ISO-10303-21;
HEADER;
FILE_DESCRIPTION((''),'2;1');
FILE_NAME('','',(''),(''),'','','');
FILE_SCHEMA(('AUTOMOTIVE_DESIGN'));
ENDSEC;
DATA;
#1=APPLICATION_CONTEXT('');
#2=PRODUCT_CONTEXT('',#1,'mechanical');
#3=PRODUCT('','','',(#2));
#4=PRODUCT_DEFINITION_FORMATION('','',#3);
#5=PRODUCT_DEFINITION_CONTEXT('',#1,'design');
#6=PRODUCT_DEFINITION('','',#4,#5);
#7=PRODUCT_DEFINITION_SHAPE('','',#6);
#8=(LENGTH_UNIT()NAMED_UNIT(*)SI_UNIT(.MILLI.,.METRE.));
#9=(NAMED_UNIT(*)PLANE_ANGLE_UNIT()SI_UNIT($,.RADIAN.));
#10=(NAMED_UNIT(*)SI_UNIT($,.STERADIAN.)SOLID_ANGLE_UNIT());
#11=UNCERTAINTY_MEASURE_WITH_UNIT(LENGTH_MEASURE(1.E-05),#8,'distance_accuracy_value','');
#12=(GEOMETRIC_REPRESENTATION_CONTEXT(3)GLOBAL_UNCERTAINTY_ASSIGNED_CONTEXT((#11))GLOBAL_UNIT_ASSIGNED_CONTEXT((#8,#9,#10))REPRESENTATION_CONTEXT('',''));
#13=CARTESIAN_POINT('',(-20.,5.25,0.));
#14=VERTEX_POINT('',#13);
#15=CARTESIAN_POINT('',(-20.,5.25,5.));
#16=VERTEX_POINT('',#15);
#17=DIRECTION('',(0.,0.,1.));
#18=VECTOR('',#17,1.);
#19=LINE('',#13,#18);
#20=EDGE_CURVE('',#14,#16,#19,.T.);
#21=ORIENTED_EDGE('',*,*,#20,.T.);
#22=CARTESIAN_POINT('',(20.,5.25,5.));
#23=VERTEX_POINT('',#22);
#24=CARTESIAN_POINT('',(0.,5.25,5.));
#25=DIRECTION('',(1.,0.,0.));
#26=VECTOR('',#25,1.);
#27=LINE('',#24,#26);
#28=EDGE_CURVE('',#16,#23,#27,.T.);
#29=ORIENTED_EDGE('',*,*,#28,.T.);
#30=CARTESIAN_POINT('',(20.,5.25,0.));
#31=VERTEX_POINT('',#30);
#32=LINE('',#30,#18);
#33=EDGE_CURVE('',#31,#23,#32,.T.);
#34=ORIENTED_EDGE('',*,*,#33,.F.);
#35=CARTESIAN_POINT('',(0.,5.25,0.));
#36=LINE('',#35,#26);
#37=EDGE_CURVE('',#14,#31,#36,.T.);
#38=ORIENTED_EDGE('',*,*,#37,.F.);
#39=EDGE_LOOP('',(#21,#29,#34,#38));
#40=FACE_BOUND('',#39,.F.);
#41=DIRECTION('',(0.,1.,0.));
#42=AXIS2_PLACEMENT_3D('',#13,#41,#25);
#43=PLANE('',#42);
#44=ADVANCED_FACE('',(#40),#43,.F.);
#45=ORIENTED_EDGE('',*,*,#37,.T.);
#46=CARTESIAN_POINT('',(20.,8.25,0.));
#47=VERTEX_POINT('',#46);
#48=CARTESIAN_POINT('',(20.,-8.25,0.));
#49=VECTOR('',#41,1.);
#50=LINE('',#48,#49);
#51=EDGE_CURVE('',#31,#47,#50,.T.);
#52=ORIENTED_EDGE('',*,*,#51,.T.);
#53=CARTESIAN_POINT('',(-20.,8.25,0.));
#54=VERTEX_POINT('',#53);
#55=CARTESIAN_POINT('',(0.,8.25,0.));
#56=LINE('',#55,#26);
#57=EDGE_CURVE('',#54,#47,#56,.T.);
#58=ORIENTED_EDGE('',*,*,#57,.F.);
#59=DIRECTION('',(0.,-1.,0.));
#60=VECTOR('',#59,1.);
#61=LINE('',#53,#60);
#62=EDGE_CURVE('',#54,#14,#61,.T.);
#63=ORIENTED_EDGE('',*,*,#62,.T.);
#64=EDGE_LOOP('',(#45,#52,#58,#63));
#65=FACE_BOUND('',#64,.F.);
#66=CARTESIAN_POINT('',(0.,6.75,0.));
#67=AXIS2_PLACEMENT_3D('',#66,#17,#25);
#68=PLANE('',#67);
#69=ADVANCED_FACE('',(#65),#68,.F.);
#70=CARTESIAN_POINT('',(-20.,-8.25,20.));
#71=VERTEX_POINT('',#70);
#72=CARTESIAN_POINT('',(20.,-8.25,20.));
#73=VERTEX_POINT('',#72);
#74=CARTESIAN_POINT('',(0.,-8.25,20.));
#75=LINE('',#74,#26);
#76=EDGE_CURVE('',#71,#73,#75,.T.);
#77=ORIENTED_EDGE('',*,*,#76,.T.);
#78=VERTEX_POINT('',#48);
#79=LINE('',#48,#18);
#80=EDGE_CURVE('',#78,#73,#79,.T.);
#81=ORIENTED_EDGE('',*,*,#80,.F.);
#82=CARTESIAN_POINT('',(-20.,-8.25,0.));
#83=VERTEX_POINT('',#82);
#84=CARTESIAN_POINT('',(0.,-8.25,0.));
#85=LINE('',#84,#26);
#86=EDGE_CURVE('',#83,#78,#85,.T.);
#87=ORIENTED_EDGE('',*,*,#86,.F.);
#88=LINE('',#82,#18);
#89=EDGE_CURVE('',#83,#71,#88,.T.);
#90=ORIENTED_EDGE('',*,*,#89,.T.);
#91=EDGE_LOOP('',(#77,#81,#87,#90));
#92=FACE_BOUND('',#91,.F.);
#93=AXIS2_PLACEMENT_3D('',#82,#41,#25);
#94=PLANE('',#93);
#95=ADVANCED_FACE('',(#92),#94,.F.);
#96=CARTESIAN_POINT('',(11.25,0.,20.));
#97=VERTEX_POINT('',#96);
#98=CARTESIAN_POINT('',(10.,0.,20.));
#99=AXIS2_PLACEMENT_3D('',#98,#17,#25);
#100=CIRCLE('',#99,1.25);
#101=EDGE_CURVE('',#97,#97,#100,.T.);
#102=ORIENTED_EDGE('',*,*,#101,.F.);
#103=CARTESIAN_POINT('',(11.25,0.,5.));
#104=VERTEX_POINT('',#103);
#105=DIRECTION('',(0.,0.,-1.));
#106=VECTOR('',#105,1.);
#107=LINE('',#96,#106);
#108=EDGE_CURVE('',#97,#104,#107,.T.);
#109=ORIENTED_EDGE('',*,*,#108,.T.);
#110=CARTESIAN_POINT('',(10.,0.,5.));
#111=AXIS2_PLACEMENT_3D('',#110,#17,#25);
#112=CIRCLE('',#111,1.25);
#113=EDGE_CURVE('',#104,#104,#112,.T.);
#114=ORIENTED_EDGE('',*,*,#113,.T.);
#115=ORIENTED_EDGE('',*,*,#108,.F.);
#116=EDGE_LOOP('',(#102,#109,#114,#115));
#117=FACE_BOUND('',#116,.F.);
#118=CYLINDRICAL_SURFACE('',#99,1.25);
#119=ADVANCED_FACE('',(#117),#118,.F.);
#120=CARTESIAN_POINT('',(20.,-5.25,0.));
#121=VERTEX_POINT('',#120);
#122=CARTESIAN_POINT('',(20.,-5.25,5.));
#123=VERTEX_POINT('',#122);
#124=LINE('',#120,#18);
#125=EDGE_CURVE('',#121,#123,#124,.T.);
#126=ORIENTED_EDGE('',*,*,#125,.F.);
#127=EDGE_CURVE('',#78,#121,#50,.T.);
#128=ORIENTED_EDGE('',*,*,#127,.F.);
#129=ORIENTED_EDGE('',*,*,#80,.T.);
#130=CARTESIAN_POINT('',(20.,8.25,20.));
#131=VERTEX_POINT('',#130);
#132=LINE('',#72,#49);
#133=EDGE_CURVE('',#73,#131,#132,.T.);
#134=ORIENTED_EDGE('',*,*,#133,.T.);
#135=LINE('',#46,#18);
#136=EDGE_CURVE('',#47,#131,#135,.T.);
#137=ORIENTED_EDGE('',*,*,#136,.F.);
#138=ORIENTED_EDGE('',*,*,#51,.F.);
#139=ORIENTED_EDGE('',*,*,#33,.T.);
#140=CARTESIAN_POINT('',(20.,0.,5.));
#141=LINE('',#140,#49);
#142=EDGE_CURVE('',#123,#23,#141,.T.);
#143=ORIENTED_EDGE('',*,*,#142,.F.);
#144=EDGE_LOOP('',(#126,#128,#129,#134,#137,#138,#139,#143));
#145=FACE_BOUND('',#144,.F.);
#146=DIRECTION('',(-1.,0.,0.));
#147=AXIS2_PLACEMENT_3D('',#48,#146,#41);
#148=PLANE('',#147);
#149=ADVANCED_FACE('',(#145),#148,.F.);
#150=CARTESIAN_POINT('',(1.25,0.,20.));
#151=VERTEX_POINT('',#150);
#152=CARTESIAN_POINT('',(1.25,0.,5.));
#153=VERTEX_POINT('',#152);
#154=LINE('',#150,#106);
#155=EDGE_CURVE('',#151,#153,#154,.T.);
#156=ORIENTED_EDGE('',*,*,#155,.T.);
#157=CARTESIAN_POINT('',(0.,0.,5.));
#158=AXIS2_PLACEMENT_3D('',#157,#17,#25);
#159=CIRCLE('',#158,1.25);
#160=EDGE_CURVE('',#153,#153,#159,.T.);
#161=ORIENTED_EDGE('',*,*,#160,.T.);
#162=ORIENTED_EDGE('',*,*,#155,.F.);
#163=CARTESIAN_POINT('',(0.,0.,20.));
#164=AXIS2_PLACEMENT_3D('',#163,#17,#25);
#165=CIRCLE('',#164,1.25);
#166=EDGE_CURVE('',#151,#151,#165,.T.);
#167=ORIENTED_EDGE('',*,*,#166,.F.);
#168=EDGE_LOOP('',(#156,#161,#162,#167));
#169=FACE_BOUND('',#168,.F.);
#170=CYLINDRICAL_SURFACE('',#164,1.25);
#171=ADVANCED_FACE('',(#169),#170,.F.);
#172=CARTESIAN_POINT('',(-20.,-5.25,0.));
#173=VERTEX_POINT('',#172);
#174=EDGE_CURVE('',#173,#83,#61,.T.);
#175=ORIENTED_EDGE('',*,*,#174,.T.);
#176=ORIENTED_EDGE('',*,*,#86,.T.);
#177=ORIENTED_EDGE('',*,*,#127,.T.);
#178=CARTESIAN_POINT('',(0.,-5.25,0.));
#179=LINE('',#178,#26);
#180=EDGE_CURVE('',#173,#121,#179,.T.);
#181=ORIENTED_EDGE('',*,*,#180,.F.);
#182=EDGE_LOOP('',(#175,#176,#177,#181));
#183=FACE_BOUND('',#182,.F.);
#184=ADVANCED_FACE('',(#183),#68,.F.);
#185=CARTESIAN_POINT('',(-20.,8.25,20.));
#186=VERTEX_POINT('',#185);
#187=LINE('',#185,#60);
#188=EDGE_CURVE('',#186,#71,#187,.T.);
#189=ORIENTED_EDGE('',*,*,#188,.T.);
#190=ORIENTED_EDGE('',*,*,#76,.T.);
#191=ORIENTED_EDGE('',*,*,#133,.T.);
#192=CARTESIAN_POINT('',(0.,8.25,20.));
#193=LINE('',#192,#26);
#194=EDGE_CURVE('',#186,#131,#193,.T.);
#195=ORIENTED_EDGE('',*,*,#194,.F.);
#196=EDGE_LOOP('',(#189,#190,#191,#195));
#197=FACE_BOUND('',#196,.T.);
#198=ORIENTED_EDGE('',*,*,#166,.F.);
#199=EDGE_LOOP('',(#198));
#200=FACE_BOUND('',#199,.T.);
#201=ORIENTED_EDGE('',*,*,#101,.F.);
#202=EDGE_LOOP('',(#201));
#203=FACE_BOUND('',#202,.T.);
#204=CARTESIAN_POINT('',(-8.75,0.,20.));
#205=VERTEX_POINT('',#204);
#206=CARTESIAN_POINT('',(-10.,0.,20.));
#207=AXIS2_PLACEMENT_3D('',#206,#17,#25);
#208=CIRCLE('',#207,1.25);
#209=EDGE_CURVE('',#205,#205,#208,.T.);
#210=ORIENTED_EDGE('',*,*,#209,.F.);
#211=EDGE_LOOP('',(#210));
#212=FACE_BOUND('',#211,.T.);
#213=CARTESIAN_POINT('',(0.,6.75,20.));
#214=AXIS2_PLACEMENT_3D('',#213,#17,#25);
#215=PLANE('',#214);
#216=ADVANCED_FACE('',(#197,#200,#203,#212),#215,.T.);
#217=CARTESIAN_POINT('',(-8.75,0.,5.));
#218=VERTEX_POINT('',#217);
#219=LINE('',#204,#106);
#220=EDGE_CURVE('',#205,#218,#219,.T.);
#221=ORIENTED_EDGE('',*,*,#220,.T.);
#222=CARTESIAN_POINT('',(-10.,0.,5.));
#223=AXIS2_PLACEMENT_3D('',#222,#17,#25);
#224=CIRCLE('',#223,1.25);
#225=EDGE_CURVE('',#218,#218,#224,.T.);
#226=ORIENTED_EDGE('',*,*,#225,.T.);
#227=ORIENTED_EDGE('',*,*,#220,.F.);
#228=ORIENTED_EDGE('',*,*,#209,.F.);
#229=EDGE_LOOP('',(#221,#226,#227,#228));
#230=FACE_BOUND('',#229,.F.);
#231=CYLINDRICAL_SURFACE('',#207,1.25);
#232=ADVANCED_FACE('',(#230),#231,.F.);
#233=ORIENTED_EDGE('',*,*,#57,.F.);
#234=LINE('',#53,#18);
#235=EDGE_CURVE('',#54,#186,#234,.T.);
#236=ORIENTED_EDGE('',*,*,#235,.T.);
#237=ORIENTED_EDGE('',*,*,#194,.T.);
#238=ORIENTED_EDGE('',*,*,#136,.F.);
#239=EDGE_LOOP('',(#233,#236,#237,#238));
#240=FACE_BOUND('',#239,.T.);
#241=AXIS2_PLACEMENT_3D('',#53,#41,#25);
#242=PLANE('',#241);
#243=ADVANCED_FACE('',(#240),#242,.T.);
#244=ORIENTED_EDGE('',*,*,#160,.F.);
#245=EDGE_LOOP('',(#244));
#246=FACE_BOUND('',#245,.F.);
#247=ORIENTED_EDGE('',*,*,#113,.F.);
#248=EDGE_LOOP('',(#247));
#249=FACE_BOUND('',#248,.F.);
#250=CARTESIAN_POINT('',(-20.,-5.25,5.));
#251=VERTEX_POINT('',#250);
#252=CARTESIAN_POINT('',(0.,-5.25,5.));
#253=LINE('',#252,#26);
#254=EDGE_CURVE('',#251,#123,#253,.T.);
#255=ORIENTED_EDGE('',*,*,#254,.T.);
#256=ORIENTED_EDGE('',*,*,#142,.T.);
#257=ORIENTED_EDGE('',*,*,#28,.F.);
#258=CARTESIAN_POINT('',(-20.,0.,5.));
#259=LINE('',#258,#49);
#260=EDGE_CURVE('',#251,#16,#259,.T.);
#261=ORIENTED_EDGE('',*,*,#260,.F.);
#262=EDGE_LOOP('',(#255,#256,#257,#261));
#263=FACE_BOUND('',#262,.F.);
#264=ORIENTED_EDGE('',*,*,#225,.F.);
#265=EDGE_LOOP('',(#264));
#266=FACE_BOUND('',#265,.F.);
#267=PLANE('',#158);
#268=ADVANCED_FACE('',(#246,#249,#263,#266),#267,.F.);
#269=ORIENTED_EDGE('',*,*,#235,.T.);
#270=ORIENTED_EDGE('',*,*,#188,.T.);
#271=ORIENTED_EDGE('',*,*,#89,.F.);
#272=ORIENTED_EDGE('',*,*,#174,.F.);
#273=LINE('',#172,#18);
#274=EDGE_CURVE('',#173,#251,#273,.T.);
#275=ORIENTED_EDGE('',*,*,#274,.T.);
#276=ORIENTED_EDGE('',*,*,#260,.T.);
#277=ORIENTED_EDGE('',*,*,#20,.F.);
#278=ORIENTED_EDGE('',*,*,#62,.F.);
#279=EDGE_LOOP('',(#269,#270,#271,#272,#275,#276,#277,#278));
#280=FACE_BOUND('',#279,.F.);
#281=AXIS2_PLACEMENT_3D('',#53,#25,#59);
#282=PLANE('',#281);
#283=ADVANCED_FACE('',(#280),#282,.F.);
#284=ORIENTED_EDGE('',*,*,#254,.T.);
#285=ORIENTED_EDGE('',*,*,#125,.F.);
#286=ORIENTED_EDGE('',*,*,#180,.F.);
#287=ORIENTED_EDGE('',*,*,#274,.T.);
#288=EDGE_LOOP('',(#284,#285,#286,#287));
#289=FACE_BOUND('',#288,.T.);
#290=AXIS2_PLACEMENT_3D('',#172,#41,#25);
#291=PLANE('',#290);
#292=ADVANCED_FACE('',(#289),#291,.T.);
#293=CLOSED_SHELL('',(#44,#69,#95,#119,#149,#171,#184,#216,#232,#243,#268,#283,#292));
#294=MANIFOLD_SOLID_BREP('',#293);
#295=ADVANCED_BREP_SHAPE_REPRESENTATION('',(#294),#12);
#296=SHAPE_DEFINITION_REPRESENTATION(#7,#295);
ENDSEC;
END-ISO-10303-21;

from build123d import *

# Parameters (mm, degrees)
F0_W     = 40
F0_H     = 3
F0_H_2   = 10.5
F1_DEPTH = 20
F2_DEPTH = 5
F3_R     = 1.25
F4_DEPTH = 20.001
F5_DEPTH = 20.001


with BuildPart() as f1:
    # F0 (on Top) → F1 (new body)
    with BuildSketch(Plane.XY):
        with Locations((0, 6.75)):
            Rectangle(F0_W, F0_H)
        Rectangle(F0_W, F0_H_2)
        with Locations((0, -6.75)):
            Rectangle(F0_W, F0_H)
    extrude(amount=F1_DEPTH)

    # F0 (on Top) → F2 (cut)
    with BuildSketch(Plane.XY):
        Rectangle(F0_W, F0_H_2)
    extrude(amount=F2_DEPTH, mode=Mode.SUBTRACT)

    # F3 (on face) → F4 (cut, through all)
    with BuildSketch(Plane.XY.offset(20)):
        Circle(F3_R)
    extrude(amount=-F4_DEPTH, mode=Mode.SUBTRACT)

    # F3 (on face) → F5 (cut, through all)
    with BuildSketch(Plane.XY.offset(20)):
        with Locations((10, 0)):
            Circle(F3_R)
        Circle(F3_R)
        with Locations((-10, 0)):
            Circle(F3_R)
    extrude(amount=-F5_DEPTH, mode=Mode.SUBTRACT)


solid = f1.part
